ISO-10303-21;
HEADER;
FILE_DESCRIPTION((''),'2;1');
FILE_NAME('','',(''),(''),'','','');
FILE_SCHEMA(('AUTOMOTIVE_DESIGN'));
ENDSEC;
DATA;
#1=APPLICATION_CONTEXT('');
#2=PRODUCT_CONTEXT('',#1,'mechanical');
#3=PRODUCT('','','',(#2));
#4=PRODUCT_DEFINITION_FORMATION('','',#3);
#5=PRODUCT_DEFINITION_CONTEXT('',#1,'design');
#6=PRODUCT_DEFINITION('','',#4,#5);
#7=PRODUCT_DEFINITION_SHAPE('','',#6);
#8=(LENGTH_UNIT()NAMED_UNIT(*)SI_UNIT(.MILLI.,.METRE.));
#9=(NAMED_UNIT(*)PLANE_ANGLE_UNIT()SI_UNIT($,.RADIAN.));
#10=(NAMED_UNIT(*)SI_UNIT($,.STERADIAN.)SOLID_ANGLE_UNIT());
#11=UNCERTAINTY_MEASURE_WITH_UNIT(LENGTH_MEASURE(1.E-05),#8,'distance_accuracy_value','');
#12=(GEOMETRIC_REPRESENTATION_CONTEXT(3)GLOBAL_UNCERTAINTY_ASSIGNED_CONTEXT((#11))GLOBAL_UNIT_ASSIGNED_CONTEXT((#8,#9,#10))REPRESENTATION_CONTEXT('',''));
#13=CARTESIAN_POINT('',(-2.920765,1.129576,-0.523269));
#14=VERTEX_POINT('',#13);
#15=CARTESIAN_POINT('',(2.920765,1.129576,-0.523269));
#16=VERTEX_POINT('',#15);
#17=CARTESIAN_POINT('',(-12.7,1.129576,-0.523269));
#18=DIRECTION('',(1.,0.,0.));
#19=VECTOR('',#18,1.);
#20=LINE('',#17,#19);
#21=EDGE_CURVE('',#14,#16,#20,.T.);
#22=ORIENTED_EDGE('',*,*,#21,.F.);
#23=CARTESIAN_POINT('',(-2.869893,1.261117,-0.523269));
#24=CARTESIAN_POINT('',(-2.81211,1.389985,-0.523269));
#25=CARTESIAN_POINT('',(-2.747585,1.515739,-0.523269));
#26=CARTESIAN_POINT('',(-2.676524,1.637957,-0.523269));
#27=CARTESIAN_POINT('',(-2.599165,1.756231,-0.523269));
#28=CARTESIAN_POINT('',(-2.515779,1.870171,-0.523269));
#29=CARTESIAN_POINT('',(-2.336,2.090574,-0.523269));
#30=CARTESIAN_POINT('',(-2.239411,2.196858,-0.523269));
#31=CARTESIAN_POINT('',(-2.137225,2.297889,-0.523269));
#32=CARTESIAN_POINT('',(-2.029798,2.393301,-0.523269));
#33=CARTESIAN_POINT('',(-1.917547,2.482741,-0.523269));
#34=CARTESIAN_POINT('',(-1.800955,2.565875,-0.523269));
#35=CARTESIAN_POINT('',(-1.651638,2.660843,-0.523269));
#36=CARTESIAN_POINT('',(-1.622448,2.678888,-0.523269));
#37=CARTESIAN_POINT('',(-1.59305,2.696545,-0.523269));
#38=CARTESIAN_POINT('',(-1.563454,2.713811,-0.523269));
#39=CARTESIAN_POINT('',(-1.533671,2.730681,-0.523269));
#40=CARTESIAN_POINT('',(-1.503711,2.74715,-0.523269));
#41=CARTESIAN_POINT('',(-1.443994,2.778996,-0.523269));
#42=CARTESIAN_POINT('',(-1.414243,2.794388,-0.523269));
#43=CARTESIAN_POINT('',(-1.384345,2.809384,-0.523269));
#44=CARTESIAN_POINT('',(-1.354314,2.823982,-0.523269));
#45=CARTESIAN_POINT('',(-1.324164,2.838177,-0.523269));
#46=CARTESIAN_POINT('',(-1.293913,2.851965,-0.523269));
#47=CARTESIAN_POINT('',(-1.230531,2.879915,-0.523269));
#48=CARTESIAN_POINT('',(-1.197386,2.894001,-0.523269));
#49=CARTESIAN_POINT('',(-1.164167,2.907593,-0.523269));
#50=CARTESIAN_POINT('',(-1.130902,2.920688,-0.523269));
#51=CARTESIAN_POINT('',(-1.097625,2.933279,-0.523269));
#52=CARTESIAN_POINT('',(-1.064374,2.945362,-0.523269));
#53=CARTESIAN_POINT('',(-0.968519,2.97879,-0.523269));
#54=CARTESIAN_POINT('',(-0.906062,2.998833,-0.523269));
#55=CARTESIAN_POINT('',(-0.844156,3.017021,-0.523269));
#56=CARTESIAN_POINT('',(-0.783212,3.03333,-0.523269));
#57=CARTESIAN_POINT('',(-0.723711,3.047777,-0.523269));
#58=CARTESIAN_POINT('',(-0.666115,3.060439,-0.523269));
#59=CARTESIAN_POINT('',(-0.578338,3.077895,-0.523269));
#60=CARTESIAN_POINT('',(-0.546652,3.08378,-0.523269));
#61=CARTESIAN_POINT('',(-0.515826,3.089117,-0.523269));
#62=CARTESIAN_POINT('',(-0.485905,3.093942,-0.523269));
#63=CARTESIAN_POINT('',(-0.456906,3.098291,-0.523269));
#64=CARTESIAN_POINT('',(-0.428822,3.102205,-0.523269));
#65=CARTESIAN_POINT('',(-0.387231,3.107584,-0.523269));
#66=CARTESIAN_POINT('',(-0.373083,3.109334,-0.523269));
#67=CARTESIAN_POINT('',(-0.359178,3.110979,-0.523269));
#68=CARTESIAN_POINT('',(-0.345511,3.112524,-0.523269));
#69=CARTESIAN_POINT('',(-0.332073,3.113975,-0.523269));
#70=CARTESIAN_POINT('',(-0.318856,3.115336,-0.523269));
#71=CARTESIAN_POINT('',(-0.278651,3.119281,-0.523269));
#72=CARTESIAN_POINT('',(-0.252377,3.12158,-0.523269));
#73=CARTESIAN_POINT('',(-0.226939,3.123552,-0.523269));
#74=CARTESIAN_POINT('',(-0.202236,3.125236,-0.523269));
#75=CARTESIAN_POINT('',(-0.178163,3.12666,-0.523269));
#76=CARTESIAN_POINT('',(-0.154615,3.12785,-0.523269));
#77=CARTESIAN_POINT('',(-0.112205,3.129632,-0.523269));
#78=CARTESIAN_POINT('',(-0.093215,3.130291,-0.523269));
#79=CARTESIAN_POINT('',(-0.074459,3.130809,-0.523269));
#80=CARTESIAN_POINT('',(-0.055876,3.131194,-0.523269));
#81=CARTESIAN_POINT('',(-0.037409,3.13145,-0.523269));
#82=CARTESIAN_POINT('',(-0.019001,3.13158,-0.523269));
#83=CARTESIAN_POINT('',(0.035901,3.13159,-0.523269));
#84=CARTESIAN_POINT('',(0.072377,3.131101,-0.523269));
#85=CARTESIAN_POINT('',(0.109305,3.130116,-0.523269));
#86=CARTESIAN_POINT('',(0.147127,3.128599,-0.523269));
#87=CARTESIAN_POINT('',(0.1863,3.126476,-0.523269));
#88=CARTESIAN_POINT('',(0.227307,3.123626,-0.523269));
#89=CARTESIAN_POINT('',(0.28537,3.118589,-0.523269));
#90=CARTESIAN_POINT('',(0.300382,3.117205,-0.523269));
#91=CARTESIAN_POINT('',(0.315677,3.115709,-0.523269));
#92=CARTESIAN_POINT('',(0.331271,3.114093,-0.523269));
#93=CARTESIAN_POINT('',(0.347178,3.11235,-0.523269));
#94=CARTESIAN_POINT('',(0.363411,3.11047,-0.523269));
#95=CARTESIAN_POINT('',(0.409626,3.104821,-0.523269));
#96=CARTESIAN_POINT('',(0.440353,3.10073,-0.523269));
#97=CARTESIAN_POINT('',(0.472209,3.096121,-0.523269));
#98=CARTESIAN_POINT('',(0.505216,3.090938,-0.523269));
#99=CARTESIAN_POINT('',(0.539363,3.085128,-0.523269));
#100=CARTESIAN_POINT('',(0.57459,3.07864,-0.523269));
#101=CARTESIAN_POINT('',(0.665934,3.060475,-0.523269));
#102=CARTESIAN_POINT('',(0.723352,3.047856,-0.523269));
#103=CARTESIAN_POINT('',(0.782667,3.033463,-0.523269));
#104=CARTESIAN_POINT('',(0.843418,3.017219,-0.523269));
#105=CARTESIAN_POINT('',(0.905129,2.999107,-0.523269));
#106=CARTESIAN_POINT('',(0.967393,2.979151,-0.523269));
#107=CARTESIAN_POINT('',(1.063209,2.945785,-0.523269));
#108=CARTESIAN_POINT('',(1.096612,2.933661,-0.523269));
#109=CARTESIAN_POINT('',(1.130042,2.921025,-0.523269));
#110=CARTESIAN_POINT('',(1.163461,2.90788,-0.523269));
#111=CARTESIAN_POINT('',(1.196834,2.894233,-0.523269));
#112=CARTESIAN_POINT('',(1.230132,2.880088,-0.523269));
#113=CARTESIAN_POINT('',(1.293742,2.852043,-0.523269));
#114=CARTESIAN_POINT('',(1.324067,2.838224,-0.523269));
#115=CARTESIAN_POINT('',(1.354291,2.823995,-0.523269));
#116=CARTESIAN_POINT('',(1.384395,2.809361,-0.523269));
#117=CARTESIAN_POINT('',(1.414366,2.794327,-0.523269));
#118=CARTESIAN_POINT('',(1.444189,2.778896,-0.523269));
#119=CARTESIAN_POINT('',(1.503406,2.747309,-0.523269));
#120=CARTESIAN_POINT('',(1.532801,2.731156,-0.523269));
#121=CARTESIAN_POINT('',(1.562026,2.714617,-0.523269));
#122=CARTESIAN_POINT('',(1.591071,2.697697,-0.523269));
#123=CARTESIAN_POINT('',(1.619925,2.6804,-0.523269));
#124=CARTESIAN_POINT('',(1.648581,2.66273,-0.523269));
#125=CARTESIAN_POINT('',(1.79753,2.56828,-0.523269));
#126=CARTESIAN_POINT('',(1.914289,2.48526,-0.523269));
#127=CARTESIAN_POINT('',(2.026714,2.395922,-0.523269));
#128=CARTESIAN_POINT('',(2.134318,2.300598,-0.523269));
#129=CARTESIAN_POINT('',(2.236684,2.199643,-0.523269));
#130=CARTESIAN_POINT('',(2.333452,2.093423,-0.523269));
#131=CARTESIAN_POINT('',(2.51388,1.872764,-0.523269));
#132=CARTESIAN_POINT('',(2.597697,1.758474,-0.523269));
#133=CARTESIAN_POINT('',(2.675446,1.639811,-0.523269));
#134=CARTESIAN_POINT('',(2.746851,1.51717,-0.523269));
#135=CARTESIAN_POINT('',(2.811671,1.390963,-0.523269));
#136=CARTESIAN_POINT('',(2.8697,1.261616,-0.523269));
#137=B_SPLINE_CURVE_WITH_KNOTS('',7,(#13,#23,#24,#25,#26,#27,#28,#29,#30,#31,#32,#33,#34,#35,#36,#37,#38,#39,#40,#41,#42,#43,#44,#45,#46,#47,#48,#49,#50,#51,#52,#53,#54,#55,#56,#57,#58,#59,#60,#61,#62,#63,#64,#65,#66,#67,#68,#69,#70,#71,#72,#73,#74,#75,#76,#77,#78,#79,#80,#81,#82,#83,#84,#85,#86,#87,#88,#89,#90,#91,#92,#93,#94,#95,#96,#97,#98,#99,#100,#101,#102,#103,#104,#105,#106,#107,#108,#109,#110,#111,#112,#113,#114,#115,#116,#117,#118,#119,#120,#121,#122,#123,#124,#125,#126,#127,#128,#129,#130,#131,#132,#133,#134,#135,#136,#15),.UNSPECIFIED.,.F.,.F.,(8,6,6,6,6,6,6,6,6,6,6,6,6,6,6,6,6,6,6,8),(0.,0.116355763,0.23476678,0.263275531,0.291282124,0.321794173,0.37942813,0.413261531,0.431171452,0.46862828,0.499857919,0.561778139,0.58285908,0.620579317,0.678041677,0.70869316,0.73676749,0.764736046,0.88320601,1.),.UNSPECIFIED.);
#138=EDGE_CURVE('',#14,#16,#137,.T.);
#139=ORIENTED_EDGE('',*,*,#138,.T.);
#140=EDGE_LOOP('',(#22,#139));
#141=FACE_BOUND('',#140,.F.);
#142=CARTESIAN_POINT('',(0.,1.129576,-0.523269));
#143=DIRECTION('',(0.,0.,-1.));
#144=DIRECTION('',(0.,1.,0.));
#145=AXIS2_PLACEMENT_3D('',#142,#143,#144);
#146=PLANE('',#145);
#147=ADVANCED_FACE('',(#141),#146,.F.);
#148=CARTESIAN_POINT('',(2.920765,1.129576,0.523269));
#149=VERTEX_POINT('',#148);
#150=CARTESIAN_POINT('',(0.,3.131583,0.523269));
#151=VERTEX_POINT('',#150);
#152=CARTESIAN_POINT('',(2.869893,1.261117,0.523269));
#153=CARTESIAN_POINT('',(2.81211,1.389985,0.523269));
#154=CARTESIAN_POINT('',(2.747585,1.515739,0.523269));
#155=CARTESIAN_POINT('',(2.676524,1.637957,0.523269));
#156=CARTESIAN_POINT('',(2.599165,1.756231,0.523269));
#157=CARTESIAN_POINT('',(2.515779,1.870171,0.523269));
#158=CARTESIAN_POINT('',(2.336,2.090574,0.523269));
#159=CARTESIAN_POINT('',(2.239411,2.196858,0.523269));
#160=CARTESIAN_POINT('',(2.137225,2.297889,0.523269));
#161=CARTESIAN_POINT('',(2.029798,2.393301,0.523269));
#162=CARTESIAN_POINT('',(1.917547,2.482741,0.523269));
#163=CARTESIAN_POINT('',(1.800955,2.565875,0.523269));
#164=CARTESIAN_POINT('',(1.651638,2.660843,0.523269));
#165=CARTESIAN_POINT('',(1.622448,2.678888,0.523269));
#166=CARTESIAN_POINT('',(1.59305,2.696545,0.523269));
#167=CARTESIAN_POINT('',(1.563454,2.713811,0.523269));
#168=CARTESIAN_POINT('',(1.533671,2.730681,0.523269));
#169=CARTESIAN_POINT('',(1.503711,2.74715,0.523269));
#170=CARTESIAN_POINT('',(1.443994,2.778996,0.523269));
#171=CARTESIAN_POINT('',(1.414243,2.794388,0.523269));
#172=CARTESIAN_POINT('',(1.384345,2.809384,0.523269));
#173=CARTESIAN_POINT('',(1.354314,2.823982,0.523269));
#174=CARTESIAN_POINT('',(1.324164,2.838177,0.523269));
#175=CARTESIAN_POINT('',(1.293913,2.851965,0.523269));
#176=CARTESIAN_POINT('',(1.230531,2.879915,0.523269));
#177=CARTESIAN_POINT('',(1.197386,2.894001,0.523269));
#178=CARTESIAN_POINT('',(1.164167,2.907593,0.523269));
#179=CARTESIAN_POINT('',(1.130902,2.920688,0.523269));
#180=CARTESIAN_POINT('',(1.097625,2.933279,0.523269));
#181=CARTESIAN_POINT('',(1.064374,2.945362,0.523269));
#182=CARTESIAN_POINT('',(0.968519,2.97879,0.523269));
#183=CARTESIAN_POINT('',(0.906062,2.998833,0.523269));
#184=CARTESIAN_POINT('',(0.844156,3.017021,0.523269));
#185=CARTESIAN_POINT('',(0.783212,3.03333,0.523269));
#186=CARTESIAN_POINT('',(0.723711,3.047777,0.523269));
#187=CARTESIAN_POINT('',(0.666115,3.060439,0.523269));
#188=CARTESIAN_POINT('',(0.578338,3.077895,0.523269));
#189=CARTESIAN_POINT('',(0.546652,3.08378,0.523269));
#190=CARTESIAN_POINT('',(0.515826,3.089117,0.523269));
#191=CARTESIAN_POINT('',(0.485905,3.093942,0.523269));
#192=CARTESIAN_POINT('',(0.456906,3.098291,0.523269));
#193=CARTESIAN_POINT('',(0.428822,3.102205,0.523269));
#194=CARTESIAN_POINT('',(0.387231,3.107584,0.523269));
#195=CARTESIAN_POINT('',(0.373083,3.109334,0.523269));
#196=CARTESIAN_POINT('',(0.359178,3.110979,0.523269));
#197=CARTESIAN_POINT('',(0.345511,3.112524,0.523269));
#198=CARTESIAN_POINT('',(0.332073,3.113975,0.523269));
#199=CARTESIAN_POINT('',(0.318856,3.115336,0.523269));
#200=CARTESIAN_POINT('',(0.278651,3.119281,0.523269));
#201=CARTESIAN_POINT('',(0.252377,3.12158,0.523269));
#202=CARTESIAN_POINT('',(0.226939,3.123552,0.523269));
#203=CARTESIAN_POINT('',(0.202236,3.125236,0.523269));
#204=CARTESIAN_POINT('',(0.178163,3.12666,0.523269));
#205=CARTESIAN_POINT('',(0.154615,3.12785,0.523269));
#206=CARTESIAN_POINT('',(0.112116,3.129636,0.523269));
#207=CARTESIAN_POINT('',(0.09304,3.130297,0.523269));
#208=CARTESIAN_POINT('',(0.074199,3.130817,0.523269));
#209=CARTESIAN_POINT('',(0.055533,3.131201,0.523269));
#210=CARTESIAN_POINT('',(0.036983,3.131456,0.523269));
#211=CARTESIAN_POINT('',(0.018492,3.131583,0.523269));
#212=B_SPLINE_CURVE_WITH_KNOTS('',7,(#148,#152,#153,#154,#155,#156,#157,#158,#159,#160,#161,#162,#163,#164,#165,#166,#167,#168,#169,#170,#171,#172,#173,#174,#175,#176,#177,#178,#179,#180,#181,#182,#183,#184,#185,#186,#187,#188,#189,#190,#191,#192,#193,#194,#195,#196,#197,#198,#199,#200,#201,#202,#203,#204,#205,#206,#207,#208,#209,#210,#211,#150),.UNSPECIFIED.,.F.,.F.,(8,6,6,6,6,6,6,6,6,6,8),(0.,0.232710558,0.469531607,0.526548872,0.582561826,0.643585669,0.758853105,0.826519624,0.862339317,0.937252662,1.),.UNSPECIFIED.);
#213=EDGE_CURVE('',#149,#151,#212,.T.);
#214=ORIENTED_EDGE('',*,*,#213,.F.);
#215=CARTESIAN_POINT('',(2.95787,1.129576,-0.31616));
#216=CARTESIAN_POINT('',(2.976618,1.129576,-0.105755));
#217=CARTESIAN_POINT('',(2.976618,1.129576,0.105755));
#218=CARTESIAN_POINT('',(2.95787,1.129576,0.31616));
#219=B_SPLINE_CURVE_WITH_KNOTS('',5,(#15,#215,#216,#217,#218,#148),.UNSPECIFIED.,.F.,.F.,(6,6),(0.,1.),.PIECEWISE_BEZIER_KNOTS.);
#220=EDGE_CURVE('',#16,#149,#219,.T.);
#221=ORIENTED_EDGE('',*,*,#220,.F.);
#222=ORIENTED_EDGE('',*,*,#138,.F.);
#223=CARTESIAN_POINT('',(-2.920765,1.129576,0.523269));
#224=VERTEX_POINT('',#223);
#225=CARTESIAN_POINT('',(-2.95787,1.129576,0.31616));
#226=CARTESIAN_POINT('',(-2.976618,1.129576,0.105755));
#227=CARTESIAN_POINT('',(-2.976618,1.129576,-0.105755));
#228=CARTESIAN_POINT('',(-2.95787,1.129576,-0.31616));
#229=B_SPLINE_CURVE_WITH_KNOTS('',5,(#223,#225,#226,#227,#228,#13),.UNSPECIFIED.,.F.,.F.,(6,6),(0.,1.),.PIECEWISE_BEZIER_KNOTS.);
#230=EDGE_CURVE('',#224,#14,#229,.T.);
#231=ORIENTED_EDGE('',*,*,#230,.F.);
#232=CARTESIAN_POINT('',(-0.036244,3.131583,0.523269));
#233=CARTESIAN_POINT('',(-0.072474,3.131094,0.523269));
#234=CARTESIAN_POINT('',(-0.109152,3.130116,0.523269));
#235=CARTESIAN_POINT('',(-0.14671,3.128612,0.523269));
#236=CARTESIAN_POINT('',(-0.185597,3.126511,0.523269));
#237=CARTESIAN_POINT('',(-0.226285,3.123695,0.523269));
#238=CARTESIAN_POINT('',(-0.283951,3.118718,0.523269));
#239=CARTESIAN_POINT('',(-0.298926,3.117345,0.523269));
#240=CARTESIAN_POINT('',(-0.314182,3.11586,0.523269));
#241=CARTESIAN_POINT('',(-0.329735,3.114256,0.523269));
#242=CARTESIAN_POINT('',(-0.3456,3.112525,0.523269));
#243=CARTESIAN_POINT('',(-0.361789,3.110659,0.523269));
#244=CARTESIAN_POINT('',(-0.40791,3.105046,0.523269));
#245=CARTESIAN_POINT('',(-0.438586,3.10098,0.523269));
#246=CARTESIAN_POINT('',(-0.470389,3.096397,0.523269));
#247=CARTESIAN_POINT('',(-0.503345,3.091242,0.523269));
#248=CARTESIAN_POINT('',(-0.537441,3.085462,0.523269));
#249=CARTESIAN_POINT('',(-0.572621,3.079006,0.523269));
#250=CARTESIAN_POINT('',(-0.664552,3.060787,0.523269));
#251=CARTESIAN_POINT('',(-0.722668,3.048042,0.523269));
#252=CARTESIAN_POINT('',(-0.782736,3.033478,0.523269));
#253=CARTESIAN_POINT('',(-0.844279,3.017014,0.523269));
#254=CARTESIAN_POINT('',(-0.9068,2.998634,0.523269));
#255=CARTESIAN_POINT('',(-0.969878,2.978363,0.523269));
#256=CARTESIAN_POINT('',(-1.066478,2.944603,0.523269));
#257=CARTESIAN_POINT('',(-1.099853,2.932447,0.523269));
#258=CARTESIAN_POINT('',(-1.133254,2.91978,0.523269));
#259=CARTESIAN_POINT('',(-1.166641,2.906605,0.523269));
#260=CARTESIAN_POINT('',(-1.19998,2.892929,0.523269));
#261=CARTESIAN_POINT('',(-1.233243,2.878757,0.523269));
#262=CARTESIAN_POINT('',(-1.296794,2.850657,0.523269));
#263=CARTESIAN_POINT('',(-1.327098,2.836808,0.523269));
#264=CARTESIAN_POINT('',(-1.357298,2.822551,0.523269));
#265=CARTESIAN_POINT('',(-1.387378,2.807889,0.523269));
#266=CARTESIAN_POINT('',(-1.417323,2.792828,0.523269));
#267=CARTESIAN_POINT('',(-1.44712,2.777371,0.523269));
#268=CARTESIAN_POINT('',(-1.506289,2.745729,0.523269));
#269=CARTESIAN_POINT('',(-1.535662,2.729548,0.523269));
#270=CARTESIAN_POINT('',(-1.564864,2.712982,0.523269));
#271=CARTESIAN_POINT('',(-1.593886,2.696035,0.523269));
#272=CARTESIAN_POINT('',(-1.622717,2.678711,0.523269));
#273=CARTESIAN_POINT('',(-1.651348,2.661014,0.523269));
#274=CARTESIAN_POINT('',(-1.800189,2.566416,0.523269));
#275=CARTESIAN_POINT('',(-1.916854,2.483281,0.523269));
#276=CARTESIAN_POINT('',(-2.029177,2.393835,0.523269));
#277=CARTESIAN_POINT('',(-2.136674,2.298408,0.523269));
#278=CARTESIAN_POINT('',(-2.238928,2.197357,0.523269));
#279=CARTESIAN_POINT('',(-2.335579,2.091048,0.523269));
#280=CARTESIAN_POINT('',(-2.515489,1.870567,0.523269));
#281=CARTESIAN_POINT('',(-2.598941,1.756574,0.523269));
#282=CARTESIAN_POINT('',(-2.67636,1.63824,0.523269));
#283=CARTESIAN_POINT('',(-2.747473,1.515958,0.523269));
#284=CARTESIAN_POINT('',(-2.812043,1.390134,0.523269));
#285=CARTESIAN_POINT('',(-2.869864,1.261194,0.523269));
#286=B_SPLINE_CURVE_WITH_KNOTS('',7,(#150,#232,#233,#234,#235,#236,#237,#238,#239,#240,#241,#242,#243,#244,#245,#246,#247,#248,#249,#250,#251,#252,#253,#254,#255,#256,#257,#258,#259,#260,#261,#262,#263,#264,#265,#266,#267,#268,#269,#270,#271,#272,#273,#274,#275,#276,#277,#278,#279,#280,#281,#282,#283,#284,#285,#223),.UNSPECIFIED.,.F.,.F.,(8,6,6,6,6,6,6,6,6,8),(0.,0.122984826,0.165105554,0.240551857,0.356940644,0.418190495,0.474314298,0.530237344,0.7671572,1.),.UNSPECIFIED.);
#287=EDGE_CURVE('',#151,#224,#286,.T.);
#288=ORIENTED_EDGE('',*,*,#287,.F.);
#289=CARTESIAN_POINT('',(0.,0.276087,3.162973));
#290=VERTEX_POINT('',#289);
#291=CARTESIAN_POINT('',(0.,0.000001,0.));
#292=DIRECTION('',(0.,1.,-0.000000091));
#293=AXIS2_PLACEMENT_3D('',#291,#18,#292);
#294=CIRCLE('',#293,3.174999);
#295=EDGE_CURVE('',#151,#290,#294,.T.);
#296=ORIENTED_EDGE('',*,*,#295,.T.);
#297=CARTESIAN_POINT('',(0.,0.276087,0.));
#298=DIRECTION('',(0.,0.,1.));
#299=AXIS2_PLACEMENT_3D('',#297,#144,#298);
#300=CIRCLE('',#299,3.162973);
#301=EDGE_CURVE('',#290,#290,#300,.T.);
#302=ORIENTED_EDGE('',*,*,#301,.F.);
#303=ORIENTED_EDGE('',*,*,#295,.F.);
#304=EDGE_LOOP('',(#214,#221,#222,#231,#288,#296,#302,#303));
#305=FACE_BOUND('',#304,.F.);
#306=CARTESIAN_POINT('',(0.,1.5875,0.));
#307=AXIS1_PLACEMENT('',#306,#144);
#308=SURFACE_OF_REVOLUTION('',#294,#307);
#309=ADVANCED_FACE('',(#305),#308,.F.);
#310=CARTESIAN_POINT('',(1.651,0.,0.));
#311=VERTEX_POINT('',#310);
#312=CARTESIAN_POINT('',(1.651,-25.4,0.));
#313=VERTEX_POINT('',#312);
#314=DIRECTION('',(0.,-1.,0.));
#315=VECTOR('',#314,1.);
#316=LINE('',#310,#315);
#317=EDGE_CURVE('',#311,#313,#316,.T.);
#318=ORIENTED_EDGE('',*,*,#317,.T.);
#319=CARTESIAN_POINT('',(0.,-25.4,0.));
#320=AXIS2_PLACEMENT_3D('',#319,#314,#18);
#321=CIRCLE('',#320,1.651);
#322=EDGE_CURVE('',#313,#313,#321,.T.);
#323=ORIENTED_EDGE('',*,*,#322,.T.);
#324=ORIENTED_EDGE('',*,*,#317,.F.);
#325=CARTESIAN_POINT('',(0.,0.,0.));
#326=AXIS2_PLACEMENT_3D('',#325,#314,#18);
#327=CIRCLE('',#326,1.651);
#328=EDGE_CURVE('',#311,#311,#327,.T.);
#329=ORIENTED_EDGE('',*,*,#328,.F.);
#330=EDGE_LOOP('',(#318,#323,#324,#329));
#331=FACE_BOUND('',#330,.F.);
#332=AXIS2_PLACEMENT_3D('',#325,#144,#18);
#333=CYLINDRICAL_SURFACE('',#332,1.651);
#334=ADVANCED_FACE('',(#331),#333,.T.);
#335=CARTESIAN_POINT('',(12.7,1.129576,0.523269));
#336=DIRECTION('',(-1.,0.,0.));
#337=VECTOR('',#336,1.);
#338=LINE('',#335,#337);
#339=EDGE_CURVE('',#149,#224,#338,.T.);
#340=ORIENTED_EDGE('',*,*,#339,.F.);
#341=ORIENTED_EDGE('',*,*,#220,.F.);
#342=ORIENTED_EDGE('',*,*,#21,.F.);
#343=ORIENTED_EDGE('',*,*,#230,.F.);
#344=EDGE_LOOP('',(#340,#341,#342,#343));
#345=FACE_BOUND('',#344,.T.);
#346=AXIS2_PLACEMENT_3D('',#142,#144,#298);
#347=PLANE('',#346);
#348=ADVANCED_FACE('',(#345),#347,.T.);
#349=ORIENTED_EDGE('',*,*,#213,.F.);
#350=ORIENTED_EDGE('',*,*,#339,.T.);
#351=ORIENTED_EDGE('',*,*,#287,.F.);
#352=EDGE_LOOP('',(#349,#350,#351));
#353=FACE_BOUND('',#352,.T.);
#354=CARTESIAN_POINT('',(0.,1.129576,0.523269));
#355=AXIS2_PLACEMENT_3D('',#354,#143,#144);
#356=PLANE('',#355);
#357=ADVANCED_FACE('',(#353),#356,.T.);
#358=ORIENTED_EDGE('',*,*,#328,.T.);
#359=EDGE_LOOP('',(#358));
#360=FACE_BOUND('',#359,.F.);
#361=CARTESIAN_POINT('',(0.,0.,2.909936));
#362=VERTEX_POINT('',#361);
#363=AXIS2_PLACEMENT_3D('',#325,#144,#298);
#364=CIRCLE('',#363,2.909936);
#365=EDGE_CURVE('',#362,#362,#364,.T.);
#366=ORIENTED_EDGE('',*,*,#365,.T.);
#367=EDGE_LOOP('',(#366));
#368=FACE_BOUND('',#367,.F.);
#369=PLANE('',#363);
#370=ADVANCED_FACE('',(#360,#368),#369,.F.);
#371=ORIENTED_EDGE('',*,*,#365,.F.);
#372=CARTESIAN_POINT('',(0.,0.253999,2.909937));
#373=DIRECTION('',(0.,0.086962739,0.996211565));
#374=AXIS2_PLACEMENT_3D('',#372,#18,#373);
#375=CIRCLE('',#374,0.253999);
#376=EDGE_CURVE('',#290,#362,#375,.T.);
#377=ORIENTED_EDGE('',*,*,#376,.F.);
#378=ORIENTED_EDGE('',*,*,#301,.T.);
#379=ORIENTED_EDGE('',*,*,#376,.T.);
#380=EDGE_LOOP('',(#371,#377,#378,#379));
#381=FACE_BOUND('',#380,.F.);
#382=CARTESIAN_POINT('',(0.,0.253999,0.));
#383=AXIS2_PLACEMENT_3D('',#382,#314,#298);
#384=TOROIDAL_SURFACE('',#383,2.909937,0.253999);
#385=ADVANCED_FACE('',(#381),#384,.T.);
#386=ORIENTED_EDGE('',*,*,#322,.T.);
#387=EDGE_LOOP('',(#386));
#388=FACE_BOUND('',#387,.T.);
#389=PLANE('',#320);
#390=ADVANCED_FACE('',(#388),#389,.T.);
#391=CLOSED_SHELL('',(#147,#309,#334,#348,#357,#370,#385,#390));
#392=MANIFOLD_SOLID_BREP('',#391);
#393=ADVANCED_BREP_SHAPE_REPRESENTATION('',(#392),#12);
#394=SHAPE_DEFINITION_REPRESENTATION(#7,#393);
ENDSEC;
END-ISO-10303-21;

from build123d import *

# Parameters (mm, degrees)
F0_R     = 1.651
F1_DEPTH = 25.4
F4_W     = 3.124762
F4_H     = 1.046538
F5_DEPTH = 12.7


with BuildPart() as f1:
    # F0 (on Front) → F1 (new body)
    with BuildSketch(Plane.XZ):
        Circle(F0_R)
    extrude(amount=F1_DEPTH)

    # F2 (on Right) → F3 (revolve)
    with BuildSketch(Plane.YZ):
        with BuildLine():
            Line((0, 2.909936), (0, 0))
            Line((0, 0), (3.175, 0))
            ThreePointArc((3.175, 0), (2.340641, 2.145233), (0.276087, 3.162973))
            ThreePointArc((0.276087, 3.162973), (0.082381, 3.097187), (0, 2.909936))
        make_face()
    revolve(axis=Axis((0, 1.5875, 0), (0, 1, 0)))

    # F4 (on Right) → F5 (cut, symmetric)
    with BuildSketch(Plane.YZ):
        with Locations((2.691957, 0)):
            Rectangle(F4_W, F4_H)
    extrude(amount=F5_DEPTH, both=True, mode=Mode.SUBTRACT)


solid = f1.part
